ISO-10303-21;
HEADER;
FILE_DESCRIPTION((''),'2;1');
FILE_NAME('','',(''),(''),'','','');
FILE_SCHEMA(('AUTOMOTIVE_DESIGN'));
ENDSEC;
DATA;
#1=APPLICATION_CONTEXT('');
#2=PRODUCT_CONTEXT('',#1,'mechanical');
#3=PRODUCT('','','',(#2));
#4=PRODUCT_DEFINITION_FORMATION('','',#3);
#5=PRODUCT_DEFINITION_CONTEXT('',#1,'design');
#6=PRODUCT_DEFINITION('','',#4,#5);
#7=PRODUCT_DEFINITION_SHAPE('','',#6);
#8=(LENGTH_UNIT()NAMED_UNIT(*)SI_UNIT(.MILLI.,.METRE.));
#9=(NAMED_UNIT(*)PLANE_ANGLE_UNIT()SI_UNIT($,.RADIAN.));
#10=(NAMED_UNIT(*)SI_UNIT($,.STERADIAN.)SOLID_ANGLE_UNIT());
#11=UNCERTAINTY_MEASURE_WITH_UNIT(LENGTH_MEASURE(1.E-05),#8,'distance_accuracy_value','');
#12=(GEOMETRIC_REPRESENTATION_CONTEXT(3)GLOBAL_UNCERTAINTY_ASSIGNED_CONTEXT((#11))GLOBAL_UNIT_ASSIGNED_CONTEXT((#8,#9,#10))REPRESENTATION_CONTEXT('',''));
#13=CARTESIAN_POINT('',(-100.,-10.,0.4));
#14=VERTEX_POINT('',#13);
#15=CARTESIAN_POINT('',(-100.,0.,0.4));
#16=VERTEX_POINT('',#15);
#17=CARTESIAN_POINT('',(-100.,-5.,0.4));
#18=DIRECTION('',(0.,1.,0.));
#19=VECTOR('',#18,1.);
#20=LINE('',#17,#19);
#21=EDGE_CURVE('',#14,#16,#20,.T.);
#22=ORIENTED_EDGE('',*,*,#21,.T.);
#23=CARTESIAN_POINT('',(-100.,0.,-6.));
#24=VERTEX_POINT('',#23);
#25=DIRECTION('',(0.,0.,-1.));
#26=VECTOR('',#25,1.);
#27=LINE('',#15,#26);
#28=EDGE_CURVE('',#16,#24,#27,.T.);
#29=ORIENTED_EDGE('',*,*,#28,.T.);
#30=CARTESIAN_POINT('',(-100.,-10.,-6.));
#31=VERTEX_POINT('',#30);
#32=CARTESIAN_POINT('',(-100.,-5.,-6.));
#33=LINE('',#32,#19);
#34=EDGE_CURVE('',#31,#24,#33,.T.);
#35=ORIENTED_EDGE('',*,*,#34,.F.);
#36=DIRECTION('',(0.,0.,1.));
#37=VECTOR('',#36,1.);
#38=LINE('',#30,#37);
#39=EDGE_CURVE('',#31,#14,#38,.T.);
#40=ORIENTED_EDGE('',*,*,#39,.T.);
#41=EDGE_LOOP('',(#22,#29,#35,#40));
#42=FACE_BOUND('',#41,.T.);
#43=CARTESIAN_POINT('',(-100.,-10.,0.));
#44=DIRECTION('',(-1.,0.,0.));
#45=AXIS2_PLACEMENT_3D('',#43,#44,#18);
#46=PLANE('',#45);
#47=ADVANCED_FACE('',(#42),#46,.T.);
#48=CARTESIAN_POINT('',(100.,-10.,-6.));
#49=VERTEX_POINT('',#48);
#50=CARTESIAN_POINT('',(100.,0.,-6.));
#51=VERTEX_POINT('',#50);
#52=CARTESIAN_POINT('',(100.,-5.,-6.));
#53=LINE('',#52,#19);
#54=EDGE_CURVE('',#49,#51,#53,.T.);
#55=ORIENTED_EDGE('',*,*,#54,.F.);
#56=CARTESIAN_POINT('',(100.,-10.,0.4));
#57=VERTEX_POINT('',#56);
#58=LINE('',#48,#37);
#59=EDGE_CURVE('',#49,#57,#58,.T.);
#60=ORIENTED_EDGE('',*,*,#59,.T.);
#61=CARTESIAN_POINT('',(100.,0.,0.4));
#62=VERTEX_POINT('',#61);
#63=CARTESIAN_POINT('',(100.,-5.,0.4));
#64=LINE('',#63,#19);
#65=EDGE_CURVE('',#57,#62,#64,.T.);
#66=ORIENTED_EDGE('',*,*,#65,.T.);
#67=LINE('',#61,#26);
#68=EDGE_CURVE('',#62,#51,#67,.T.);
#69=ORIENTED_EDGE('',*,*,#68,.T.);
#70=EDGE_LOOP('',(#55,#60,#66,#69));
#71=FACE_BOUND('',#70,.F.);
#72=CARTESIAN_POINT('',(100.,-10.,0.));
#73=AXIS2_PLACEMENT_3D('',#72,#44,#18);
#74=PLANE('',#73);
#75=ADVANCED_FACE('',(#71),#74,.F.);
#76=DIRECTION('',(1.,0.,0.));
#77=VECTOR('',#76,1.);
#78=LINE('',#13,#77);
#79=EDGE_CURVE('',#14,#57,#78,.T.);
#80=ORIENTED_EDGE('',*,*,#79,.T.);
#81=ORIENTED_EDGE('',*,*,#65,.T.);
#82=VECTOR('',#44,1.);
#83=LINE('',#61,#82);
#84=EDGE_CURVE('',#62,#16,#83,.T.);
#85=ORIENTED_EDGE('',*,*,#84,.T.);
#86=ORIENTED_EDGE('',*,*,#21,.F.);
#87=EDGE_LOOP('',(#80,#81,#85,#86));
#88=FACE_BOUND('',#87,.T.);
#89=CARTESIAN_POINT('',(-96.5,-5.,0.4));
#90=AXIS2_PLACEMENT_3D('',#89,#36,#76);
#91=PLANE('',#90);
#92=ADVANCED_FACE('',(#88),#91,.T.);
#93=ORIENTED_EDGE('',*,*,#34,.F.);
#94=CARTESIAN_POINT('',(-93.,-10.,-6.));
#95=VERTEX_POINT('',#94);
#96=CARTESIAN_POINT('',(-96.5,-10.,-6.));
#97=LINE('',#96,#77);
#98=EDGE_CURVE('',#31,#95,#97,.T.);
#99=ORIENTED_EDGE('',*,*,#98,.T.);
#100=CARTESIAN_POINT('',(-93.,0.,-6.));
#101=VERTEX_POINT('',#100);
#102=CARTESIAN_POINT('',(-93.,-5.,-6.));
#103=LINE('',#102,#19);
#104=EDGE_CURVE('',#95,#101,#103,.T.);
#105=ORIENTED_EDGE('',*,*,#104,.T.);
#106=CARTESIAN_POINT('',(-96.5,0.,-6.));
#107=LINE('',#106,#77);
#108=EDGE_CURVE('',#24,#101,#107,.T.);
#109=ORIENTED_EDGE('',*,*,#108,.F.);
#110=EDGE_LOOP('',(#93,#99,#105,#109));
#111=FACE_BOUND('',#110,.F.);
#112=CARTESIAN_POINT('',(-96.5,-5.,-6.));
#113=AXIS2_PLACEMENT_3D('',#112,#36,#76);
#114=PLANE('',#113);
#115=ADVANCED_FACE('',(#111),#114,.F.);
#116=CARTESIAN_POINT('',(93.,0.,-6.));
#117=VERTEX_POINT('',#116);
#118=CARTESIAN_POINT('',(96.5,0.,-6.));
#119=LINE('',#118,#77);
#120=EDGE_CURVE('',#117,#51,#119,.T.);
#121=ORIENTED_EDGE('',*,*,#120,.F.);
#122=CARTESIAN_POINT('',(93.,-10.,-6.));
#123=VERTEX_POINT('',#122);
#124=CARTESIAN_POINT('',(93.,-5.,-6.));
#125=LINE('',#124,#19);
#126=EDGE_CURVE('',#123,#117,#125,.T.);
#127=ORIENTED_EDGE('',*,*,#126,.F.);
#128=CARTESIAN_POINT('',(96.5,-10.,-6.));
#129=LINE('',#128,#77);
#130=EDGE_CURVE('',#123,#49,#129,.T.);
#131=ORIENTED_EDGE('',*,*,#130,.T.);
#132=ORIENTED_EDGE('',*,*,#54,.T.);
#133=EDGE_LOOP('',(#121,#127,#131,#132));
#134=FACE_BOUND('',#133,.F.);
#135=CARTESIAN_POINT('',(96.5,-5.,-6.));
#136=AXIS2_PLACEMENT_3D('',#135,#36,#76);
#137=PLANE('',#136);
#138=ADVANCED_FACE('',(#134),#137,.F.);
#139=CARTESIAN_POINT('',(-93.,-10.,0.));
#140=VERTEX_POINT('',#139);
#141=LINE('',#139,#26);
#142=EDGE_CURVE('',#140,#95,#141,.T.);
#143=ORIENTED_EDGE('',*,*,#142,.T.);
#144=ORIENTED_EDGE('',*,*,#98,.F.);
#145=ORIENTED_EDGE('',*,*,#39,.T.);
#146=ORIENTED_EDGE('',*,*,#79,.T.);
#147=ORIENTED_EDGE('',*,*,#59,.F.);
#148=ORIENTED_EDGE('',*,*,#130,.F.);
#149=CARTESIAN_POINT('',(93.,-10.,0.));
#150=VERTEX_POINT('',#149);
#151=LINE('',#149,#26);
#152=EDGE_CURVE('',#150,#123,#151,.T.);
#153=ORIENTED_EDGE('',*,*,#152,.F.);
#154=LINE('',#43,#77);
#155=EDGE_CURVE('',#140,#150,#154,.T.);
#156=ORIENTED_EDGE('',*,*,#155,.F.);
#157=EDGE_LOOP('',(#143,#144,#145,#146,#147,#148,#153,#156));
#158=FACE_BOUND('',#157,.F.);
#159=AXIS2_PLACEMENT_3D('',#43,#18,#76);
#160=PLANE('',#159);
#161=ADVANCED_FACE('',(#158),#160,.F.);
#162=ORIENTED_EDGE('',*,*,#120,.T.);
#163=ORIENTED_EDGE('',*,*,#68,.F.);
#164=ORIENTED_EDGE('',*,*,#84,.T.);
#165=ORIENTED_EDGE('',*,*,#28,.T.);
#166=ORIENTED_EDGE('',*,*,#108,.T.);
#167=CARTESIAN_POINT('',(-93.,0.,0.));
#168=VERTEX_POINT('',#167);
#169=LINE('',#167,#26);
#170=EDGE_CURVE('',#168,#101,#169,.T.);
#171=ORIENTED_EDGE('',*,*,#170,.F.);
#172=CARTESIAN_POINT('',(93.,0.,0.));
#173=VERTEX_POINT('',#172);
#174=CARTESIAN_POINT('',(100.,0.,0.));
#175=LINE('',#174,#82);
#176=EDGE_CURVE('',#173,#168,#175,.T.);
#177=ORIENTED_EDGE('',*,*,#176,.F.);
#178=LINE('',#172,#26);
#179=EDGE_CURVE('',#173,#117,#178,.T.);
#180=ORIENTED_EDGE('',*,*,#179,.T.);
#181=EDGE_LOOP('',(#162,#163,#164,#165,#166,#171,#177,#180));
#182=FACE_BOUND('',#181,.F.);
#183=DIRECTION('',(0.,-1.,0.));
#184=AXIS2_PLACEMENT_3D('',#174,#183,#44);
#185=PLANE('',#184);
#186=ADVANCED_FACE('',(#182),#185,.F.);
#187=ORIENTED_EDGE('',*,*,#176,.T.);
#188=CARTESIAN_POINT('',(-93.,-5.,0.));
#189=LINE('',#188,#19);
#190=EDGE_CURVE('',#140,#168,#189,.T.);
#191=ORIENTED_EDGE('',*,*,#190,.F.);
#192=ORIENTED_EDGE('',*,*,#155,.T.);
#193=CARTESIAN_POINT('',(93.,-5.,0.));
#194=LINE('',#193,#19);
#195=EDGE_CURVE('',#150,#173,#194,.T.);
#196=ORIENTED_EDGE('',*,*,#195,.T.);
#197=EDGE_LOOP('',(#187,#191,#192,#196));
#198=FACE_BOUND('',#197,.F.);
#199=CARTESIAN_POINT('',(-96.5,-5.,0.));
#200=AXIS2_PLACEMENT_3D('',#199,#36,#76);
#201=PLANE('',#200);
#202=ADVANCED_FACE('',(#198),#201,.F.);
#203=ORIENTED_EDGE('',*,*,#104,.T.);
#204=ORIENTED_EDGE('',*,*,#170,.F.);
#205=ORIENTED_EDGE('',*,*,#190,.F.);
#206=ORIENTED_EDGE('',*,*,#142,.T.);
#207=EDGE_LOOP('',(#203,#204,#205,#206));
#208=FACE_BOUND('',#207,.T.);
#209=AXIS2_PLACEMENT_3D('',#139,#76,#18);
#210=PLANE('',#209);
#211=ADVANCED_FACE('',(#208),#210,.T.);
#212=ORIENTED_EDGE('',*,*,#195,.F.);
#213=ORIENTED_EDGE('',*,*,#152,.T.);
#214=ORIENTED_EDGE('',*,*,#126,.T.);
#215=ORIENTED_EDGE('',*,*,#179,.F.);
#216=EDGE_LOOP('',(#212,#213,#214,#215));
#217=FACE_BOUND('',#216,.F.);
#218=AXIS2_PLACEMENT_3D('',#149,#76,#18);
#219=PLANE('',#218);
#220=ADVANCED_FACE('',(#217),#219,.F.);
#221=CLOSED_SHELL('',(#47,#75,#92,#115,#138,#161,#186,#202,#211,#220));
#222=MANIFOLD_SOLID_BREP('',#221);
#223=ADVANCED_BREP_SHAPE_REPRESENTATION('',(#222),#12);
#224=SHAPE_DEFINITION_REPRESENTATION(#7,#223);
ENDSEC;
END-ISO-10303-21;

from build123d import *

# Parameters (mm, degrees)
F0_W     = 7
F0_H     = 10
F1_DEPTH = 6
F0_W_2   = 186
F2_DEPTH = 0.4


with BuildPart() as f1:
    # F0 (on Top) → F1 (new body)
    with BuildSketch(Plane.XY):
        with Locations((-96.5, -5)):
            Rectangle(F0_W, F0_H)
    extrude(amount=-F1_DEPTH)



with BuildPart() as f1b:
    # F0 (on Top) → F1, piece 2 (new body)
    with BuildSketch(Plane.XY):
        with Locations((96.5, -5)):
            Rectangle(F0_W, F0_H)
    extrude(amount=-F1_DEPTH)


with BuildPart() as f1_1:
    add(f1.part)

    add(f1b.part)  # F2 merges F1b
    # F0 (on Top) → F2 (join)
    with BuildSketch(Plane.XY):
        with Locations((-96.5, -5)):
            Rectangle(F0_W, F0_H)
        with Locations((0, -5)):
            Rectangle(F0_W_2, F0_H)
        with Locations((96.5, -5)):
            Rectangle(F0_W, F0_H)
    extrude(amount=F2_DEPTH)


solid = f1_1.part
